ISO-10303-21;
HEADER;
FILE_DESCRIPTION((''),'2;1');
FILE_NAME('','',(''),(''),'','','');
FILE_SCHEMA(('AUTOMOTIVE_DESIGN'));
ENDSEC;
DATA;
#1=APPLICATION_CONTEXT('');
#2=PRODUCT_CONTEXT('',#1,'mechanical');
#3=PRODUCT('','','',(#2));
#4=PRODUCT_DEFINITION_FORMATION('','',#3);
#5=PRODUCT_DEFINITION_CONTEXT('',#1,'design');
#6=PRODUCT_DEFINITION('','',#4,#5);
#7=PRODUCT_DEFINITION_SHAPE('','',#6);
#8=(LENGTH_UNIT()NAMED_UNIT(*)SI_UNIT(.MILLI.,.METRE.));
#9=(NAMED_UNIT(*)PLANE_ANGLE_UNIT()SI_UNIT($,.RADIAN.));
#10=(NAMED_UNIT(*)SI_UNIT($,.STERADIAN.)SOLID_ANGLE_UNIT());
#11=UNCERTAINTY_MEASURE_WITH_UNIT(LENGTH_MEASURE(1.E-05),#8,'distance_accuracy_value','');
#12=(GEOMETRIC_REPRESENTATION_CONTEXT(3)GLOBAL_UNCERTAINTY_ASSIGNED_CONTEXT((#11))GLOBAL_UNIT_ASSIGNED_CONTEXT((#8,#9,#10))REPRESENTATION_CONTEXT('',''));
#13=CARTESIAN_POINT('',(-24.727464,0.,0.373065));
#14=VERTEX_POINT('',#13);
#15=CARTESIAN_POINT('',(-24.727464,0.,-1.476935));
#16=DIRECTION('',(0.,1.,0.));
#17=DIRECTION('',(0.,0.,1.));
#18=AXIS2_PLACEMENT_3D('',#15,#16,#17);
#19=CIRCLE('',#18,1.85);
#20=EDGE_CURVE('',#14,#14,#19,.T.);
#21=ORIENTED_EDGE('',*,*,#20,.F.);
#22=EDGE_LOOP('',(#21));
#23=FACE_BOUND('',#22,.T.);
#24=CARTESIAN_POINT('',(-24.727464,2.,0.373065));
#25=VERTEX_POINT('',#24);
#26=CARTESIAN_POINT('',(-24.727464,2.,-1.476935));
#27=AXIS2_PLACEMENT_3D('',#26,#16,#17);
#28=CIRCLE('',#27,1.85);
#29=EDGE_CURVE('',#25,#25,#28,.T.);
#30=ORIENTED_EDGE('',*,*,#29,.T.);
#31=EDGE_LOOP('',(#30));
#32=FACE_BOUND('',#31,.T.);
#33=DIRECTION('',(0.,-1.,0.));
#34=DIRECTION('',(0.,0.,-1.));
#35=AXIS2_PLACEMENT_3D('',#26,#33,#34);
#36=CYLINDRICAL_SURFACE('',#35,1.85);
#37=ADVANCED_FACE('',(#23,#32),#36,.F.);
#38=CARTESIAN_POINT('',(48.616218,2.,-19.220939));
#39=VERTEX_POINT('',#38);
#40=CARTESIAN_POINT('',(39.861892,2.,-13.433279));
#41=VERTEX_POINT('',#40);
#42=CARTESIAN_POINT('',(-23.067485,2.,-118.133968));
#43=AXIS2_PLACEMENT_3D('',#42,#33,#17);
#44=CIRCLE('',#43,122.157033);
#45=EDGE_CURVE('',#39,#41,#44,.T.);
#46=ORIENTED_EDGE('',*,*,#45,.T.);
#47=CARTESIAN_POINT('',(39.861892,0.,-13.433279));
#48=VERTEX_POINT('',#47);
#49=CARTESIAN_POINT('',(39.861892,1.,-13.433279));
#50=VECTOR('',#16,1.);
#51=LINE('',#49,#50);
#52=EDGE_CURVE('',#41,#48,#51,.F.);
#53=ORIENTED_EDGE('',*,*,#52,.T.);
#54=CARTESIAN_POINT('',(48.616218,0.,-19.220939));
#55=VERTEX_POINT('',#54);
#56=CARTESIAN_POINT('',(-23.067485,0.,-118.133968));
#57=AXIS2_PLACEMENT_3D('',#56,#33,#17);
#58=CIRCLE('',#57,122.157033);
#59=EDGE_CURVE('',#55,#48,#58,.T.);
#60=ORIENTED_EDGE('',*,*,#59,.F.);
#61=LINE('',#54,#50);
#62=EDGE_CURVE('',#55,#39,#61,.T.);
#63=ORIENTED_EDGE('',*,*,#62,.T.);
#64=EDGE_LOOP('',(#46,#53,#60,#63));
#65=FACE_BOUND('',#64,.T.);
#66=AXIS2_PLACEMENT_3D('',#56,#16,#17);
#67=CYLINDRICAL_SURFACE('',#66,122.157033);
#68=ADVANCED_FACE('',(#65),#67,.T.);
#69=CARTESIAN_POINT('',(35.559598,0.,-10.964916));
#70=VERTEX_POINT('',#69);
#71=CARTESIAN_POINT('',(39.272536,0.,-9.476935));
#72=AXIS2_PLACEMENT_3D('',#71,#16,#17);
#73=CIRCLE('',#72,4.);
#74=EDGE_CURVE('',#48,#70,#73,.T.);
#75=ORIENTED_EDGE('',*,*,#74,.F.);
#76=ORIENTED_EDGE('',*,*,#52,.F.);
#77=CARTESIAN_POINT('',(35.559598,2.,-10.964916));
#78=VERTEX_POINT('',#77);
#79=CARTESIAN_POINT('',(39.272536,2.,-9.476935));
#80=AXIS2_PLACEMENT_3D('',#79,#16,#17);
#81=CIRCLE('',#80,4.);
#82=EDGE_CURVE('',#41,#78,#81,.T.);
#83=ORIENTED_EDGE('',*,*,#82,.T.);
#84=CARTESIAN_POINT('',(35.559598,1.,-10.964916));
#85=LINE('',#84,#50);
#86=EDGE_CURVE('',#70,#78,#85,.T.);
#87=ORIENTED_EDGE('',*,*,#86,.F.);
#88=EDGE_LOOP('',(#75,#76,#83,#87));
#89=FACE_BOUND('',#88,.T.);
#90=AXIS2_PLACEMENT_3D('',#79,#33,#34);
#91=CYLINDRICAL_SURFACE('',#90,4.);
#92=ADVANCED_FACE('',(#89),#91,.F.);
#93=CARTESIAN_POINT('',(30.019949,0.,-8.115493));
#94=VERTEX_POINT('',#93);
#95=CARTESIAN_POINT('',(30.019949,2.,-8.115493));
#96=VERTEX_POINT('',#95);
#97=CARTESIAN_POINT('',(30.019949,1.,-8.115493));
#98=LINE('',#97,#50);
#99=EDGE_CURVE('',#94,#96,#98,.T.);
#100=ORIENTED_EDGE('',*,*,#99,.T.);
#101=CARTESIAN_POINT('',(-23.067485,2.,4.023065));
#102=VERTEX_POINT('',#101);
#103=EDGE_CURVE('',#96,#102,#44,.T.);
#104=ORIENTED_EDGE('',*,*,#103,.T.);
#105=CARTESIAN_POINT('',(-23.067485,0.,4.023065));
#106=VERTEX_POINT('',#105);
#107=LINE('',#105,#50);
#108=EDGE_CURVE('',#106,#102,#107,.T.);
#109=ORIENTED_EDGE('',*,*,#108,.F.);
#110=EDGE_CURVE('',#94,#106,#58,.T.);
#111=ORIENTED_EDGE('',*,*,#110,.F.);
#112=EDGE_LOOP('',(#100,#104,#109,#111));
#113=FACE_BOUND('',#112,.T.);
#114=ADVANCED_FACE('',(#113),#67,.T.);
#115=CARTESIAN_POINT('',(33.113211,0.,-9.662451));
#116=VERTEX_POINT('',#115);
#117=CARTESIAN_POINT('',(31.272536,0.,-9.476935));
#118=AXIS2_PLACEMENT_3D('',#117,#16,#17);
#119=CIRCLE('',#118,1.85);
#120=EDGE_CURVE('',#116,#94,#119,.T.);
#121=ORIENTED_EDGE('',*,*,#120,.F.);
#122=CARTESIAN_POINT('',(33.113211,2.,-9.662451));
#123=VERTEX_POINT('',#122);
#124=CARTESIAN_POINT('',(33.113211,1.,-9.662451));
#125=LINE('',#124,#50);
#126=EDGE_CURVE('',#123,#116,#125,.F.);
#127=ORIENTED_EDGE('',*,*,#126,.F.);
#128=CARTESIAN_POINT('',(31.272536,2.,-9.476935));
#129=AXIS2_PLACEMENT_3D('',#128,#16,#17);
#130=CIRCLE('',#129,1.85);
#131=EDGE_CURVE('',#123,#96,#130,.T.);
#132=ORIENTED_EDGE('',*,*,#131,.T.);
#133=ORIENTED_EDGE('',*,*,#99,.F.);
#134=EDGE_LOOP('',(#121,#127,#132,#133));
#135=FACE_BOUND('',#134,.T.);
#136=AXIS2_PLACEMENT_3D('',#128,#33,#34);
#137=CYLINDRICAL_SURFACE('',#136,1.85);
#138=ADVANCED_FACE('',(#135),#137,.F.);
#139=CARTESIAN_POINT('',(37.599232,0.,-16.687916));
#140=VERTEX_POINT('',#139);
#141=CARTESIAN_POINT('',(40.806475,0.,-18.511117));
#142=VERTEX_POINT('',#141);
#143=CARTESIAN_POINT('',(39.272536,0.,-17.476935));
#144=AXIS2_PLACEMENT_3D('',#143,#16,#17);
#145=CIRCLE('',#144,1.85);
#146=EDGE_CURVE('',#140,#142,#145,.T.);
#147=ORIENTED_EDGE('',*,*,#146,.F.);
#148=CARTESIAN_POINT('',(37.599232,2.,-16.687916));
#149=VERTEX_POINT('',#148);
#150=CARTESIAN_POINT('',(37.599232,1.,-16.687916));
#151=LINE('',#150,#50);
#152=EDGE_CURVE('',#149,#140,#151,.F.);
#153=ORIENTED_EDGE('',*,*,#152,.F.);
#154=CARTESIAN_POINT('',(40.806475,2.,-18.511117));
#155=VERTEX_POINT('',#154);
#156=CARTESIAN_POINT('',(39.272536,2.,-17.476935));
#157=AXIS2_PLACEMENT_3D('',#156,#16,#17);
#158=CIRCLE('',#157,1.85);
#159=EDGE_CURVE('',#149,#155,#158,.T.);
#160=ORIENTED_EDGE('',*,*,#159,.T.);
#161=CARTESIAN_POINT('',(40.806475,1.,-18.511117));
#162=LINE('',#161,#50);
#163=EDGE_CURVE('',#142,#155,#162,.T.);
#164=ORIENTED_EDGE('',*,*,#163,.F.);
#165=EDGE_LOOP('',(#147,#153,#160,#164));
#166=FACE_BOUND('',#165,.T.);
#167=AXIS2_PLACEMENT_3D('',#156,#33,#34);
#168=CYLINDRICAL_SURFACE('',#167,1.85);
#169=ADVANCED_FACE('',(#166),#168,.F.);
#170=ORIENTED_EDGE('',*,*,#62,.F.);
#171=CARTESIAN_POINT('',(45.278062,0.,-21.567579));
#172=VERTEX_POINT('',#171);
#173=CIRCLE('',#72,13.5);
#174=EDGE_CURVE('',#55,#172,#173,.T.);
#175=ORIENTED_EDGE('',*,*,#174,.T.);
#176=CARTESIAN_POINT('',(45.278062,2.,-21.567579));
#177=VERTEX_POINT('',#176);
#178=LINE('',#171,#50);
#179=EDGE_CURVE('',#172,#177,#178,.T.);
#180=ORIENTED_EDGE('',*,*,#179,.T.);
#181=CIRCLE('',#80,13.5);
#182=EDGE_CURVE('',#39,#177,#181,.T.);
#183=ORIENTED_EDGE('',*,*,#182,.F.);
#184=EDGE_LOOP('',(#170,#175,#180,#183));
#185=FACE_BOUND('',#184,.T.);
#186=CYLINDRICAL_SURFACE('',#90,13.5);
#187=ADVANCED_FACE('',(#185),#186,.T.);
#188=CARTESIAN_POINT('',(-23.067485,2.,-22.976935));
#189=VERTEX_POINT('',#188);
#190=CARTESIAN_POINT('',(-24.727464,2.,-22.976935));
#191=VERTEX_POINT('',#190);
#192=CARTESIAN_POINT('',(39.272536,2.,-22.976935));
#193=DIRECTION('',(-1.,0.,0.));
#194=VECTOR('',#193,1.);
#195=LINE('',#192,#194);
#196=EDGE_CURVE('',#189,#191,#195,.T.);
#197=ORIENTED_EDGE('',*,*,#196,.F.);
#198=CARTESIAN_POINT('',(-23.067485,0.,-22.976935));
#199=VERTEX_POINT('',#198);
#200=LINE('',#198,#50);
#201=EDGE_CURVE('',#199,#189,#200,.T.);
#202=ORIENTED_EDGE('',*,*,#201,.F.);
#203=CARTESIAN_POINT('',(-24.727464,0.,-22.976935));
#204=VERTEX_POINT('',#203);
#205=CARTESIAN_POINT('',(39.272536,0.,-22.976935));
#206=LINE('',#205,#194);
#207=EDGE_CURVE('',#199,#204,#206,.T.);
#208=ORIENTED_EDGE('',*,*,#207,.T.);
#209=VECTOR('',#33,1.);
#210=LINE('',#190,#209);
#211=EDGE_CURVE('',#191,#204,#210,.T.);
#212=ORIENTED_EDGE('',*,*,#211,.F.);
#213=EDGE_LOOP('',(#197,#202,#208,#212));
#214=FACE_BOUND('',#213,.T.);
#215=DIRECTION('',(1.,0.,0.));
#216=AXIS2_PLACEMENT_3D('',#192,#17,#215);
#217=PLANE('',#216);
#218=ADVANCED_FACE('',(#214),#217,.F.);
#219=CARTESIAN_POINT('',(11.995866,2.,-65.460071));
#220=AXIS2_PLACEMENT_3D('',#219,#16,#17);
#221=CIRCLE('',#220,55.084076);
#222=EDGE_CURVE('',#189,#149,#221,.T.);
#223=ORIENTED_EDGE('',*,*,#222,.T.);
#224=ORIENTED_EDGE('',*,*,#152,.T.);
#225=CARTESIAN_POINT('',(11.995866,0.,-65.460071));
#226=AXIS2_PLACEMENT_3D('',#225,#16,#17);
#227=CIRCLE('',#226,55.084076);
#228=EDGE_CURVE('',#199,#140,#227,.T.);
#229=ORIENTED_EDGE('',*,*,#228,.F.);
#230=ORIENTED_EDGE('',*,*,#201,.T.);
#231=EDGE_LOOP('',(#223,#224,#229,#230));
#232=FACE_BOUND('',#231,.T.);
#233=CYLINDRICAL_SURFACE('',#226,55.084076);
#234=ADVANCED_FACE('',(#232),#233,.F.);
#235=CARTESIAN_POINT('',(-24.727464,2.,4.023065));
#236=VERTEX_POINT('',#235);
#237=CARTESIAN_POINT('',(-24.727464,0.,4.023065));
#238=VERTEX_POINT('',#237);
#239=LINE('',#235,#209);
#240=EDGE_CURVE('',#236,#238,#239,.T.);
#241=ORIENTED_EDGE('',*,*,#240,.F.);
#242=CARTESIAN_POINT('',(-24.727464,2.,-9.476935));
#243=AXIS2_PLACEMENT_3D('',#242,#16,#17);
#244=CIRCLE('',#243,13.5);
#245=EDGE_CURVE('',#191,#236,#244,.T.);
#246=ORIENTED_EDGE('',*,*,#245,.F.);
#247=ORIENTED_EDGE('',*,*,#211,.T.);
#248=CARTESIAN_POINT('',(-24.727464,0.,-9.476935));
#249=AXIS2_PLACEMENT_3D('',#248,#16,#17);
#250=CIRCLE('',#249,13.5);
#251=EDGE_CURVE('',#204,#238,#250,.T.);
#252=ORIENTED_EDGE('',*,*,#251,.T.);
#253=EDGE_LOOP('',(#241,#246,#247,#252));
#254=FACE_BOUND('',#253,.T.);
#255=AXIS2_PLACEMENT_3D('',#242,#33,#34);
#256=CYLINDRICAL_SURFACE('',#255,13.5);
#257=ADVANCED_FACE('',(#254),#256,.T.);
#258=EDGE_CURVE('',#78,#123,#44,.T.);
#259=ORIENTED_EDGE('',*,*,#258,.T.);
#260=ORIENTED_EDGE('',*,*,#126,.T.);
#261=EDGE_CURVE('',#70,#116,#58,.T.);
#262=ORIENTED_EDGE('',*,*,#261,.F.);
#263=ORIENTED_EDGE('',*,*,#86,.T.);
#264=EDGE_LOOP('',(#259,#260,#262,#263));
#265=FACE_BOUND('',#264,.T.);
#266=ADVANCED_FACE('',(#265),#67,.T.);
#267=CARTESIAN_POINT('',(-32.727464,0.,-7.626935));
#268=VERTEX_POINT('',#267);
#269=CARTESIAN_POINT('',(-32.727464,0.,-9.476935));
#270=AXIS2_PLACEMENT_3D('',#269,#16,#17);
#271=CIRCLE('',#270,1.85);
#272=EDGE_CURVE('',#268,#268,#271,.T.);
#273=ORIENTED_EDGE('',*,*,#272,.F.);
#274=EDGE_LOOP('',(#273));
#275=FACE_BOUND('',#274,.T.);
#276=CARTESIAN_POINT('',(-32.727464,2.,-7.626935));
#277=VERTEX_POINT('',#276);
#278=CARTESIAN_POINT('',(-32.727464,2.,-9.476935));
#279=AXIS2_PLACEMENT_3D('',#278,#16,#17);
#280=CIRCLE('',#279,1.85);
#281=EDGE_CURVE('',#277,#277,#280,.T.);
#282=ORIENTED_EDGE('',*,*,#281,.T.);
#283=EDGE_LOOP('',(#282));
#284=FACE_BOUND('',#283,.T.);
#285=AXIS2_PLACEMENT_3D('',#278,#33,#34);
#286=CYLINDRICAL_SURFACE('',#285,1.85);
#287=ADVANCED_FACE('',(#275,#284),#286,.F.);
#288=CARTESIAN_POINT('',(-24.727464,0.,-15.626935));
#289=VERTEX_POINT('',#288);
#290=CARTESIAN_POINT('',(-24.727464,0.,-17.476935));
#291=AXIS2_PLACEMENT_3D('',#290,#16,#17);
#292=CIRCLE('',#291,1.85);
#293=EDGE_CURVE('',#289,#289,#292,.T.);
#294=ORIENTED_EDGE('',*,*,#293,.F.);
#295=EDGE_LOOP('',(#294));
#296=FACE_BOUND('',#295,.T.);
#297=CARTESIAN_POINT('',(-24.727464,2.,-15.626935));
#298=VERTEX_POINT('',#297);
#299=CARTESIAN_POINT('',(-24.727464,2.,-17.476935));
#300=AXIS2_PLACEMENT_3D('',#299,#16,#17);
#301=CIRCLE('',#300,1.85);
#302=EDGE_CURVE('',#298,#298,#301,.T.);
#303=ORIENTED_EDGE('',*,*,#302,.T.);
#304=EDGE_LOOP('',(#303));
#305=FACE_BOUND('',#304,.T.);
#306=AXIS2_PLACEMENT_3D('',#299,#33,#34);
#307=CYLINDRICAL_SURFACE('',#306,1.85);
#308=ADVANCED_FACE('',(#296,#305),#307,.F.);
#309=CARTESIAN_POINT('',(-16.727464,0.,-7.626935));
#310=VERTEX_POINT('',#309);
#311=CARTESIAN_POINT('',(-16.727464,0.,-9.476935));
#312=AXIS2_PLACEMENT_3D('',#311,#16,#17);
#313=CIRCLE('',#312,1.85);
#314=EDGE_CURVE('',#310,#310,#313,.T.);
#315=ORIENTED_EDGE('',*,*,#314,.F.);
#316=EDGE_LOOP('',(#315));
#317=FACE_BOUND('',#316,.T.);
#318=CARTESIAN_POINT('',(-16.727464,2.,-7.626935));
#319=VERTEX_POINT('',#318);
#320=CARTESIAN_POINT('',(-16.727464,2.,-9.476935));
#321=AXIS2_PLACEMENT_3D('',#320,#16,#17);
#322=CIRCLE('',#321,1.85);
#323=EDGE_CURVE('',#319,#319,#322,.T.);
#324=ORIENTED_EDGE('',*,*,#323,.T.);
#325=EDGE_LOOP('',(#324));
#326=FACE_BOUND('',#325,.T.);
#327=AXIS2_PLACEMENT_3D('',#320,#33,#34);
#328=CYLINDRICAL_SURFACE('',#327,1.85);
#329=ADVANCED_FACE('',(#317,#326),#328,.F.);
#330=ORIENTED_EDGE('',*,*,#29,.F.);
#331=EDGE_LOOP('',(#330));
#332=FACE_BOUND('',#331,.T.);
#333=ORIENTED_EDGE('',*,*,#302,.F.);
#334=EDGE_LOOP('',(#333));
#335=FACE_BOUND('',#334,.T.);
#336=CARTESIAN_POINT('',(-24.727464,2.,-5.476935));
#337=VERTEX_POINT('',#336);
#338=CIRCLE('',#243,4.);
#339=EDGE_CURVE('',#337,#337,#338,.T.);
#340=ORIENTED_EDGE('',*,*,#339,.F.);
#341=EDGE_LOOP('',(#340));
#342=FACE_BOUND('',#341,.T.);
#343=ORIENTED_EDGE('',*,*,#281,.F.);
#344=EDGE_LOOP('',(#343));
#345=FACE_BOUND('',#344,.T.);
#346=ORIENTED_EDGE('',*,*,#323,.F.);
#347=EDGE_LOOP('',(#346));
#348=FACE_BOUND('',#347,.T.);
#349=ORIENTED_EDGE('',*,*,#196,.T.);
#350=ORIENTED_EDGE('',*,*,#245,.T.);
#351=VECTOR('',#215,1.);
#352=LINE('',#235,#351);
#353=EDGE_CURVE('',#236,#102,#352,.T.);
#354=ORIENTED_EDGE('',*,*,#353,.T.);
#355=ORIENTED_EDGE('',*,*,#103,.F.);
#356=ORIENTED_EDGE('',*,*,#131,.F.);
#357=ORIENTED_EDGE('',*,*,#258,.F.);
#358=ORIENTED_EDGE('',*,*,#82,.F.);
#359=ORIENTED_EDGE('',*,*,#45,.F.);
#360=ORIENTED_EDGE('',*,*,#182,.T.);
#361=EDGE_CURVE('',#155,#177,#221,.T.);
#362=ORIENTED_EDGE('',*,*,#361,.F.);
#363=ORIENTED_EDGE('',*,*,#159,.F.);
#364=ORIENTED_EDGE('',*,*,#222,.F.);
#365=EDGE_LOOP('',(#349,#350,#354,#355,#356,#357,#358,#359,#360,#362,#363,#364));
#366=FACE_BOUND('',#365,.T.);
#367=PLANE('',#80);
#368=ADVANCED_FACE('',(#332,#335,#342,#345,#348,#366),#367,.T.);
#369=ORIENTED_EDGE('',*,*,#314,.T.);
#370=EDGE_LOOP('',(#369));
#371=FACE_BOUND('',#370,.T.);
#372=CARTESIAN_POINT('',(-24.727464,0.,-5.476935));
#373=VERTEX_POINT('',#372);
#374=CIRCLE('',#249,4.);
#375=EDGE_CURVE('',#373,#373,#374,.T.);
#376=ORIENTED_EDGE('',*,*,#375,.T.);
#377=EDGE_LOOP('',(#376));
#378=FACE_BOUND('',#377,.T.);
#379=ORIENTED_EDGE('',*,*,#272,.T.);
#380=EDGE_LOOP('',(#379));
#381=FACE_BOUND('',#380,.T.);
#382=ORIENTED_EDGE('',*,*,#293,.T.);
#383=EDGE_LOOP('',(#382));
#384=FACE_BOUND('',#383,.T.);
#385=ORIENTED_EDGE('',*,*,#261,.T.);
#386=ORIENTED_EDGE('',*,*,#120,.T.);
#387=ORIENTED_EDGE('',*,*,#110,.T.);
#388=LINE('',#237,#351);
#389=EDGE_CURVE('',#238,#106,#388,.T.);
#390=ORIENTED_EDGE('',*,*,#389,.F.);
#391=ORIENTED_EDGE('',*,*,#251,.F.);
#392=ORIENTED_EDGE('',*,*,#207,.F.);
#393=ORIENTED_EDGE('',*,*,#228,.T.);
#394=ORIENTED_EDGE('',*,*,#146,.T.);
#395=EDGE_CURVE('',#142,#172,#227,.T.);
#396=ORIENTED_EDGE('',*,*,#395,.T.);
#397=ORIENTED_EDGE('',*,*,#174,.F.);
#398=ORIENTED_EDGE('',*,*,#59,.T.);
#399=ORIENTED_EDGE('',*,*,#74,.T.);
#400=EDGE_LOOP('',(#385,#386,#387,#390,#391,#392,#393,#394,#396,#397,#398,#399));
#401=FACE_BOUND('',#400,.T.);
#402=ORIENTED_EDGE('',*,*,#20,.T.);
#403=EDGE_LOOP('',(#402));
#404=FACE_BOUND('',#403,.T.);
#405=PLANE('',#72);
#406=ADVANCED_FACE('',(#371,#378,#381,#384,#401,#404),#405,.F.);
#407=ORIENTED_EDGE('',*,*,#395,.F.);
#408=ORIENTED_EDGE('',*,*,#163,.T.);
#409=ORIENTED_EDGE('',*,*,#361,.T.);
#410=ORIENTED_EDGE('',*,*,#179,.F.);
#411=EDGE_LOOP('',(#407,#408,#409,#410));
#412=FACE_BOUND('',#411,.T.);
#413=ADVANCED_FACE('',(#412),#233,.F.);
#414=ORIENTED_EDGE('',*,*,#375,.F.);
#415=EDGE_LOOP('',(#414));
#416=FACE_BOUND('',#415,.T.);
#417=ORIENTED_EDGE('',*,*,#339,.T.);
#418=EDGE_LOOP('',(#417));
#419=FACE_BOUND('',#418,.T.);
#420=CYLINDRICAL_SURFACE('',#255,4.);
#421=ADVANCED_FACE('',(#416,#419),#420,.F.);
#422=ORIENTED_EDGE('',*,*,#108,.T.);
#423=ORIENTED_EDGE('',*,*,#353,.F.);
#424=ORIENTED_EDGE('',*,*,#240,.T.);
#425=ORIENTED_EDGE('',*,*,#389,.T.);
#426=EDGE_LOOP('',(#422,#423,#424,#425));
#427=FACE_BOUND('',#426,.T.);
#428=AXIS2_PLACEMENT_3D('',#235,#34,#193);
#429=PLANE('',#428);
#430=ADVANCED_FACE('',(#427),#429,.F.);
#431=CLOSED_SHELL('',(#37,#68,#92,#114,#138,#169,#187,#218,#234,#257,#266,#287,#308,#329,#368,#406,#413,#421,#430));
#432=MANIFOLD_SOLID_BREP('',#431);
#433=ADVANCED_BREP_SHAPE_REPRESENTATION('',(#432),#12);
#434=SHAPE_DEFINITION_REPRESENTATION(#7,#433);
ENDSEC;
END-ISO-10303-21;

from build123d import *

# Parameters (mm, degrees)
SKETCH1_R           = 1.85
SKETCH1_R_2         = 4
BOSS_EXTRUDE1_DEPTH = 2
CUT_EXTRUDE1_DEPTH  = 3


with BuildPart() as part:
    # Sketch1 → Boss-Extrude1 (new body)
    with BuildSketch(Plane(origin=(0, 0, 0), x_dir=(1, 0, 0), z_dir=(0, 1, 0))):
        with BuildLine():
            Line((39.272536472, 22.976935119), (-24.727463528, 22.976935119))
            ThreePointArc((-24.727463528, 22.976935119), (-38.227463528, 9.476935119), (-24.727463528, -4.023064881))
            Line((-24.727463528, -4.023064881), (39.272536472, -4.023064881))
            ThreePointArc((39.272536472, -4.023064881), (52.772536472, 9.476935119), (39.272536472, 22.976935119))
        make_face()
        with Locations((-24.727463528, 17.476935119)):
            Circle(SKETCH1_R, mode=Mode.SUBTRACT)
        with Locations((-24.727463528, 9.476935119)):
            Circle(SKETCH1_R_2, mode=Mode.SUBTRACT)
        with Locations((-32.727463528, 9.476935119)):
            Circle(SKETCH1_R, mode=Mode.SUBTRACT)
        with Locations((-24.727463528, 1.476935119)):
            Circle(SKETCH1_R, mode=Mode.SUBTRACT)
        with Locations((-16.727463528, 9.476935119)):
            Circle(SKETCH1_R, mode=Mode.SUBTRACT)
        with Locations((39.272536472, 17.476935119)):
            Circle(SKETCH1_R, mode=Mode.SUBTRACT)
        with Locations((39.272536472, 9.476935119)):
            Circle(SKETCH1_R_2, mode=Mode.SUBTRACT)
        with Locations((31.272536472, 9.476935119)):
            Circle(SKETCH1_R, mode=Mode.SUBTRACT)
        with Locations((47.272536472, 9.476935119)):
            Circle(SKETCH1_R, mode=Mode.SUBTRACT)
        with Locations((39.272536472, 1.476935119)):
            Circle(SKETCH1_R, mode=Mode.SUBTRACT)
    extrude(amount=BOSS_EXTRUDE1_DEPTH)

    # Sketch2 → Cut-Extrude1 (cut, through all)
    with BuildSketch(Plane(origin=(0, 2, 0), x_dir=(1, 0, 0), z_dir=(0, 1, 0))):
        with BuildLine():
            Line((-23.067485442, 22.976935119), (42.777422328, 34.888708749))
            Line((42.777422328, 34.888708749), (45.278061915, 21.567578781))
            ThreePointArc((45.278061915, 21.567578781), (10.860216356, 10.387702722), (-23.067485442, 22.976935119))
        make_face()
        with BuildLine():
            Line((48.61621824, 19.220938968), (77.215135597, 13.399575669))
            Line((77.215135597, 13.399575669), (46.358944508, -30.129693903))
            Line((46.358944508, -30.129693903), (-23.067485442, -4.023064881))
            ThreePointArc((-23.067485442, -4.023064881), (14.611544165, 1.933144375), (48.61621824, 19.220938968))
        make_face()
    extrude(amount=-CUT_EXTRUDE1_DEPTH, mode=Mode.SUBTRACT)


solid = part.part
